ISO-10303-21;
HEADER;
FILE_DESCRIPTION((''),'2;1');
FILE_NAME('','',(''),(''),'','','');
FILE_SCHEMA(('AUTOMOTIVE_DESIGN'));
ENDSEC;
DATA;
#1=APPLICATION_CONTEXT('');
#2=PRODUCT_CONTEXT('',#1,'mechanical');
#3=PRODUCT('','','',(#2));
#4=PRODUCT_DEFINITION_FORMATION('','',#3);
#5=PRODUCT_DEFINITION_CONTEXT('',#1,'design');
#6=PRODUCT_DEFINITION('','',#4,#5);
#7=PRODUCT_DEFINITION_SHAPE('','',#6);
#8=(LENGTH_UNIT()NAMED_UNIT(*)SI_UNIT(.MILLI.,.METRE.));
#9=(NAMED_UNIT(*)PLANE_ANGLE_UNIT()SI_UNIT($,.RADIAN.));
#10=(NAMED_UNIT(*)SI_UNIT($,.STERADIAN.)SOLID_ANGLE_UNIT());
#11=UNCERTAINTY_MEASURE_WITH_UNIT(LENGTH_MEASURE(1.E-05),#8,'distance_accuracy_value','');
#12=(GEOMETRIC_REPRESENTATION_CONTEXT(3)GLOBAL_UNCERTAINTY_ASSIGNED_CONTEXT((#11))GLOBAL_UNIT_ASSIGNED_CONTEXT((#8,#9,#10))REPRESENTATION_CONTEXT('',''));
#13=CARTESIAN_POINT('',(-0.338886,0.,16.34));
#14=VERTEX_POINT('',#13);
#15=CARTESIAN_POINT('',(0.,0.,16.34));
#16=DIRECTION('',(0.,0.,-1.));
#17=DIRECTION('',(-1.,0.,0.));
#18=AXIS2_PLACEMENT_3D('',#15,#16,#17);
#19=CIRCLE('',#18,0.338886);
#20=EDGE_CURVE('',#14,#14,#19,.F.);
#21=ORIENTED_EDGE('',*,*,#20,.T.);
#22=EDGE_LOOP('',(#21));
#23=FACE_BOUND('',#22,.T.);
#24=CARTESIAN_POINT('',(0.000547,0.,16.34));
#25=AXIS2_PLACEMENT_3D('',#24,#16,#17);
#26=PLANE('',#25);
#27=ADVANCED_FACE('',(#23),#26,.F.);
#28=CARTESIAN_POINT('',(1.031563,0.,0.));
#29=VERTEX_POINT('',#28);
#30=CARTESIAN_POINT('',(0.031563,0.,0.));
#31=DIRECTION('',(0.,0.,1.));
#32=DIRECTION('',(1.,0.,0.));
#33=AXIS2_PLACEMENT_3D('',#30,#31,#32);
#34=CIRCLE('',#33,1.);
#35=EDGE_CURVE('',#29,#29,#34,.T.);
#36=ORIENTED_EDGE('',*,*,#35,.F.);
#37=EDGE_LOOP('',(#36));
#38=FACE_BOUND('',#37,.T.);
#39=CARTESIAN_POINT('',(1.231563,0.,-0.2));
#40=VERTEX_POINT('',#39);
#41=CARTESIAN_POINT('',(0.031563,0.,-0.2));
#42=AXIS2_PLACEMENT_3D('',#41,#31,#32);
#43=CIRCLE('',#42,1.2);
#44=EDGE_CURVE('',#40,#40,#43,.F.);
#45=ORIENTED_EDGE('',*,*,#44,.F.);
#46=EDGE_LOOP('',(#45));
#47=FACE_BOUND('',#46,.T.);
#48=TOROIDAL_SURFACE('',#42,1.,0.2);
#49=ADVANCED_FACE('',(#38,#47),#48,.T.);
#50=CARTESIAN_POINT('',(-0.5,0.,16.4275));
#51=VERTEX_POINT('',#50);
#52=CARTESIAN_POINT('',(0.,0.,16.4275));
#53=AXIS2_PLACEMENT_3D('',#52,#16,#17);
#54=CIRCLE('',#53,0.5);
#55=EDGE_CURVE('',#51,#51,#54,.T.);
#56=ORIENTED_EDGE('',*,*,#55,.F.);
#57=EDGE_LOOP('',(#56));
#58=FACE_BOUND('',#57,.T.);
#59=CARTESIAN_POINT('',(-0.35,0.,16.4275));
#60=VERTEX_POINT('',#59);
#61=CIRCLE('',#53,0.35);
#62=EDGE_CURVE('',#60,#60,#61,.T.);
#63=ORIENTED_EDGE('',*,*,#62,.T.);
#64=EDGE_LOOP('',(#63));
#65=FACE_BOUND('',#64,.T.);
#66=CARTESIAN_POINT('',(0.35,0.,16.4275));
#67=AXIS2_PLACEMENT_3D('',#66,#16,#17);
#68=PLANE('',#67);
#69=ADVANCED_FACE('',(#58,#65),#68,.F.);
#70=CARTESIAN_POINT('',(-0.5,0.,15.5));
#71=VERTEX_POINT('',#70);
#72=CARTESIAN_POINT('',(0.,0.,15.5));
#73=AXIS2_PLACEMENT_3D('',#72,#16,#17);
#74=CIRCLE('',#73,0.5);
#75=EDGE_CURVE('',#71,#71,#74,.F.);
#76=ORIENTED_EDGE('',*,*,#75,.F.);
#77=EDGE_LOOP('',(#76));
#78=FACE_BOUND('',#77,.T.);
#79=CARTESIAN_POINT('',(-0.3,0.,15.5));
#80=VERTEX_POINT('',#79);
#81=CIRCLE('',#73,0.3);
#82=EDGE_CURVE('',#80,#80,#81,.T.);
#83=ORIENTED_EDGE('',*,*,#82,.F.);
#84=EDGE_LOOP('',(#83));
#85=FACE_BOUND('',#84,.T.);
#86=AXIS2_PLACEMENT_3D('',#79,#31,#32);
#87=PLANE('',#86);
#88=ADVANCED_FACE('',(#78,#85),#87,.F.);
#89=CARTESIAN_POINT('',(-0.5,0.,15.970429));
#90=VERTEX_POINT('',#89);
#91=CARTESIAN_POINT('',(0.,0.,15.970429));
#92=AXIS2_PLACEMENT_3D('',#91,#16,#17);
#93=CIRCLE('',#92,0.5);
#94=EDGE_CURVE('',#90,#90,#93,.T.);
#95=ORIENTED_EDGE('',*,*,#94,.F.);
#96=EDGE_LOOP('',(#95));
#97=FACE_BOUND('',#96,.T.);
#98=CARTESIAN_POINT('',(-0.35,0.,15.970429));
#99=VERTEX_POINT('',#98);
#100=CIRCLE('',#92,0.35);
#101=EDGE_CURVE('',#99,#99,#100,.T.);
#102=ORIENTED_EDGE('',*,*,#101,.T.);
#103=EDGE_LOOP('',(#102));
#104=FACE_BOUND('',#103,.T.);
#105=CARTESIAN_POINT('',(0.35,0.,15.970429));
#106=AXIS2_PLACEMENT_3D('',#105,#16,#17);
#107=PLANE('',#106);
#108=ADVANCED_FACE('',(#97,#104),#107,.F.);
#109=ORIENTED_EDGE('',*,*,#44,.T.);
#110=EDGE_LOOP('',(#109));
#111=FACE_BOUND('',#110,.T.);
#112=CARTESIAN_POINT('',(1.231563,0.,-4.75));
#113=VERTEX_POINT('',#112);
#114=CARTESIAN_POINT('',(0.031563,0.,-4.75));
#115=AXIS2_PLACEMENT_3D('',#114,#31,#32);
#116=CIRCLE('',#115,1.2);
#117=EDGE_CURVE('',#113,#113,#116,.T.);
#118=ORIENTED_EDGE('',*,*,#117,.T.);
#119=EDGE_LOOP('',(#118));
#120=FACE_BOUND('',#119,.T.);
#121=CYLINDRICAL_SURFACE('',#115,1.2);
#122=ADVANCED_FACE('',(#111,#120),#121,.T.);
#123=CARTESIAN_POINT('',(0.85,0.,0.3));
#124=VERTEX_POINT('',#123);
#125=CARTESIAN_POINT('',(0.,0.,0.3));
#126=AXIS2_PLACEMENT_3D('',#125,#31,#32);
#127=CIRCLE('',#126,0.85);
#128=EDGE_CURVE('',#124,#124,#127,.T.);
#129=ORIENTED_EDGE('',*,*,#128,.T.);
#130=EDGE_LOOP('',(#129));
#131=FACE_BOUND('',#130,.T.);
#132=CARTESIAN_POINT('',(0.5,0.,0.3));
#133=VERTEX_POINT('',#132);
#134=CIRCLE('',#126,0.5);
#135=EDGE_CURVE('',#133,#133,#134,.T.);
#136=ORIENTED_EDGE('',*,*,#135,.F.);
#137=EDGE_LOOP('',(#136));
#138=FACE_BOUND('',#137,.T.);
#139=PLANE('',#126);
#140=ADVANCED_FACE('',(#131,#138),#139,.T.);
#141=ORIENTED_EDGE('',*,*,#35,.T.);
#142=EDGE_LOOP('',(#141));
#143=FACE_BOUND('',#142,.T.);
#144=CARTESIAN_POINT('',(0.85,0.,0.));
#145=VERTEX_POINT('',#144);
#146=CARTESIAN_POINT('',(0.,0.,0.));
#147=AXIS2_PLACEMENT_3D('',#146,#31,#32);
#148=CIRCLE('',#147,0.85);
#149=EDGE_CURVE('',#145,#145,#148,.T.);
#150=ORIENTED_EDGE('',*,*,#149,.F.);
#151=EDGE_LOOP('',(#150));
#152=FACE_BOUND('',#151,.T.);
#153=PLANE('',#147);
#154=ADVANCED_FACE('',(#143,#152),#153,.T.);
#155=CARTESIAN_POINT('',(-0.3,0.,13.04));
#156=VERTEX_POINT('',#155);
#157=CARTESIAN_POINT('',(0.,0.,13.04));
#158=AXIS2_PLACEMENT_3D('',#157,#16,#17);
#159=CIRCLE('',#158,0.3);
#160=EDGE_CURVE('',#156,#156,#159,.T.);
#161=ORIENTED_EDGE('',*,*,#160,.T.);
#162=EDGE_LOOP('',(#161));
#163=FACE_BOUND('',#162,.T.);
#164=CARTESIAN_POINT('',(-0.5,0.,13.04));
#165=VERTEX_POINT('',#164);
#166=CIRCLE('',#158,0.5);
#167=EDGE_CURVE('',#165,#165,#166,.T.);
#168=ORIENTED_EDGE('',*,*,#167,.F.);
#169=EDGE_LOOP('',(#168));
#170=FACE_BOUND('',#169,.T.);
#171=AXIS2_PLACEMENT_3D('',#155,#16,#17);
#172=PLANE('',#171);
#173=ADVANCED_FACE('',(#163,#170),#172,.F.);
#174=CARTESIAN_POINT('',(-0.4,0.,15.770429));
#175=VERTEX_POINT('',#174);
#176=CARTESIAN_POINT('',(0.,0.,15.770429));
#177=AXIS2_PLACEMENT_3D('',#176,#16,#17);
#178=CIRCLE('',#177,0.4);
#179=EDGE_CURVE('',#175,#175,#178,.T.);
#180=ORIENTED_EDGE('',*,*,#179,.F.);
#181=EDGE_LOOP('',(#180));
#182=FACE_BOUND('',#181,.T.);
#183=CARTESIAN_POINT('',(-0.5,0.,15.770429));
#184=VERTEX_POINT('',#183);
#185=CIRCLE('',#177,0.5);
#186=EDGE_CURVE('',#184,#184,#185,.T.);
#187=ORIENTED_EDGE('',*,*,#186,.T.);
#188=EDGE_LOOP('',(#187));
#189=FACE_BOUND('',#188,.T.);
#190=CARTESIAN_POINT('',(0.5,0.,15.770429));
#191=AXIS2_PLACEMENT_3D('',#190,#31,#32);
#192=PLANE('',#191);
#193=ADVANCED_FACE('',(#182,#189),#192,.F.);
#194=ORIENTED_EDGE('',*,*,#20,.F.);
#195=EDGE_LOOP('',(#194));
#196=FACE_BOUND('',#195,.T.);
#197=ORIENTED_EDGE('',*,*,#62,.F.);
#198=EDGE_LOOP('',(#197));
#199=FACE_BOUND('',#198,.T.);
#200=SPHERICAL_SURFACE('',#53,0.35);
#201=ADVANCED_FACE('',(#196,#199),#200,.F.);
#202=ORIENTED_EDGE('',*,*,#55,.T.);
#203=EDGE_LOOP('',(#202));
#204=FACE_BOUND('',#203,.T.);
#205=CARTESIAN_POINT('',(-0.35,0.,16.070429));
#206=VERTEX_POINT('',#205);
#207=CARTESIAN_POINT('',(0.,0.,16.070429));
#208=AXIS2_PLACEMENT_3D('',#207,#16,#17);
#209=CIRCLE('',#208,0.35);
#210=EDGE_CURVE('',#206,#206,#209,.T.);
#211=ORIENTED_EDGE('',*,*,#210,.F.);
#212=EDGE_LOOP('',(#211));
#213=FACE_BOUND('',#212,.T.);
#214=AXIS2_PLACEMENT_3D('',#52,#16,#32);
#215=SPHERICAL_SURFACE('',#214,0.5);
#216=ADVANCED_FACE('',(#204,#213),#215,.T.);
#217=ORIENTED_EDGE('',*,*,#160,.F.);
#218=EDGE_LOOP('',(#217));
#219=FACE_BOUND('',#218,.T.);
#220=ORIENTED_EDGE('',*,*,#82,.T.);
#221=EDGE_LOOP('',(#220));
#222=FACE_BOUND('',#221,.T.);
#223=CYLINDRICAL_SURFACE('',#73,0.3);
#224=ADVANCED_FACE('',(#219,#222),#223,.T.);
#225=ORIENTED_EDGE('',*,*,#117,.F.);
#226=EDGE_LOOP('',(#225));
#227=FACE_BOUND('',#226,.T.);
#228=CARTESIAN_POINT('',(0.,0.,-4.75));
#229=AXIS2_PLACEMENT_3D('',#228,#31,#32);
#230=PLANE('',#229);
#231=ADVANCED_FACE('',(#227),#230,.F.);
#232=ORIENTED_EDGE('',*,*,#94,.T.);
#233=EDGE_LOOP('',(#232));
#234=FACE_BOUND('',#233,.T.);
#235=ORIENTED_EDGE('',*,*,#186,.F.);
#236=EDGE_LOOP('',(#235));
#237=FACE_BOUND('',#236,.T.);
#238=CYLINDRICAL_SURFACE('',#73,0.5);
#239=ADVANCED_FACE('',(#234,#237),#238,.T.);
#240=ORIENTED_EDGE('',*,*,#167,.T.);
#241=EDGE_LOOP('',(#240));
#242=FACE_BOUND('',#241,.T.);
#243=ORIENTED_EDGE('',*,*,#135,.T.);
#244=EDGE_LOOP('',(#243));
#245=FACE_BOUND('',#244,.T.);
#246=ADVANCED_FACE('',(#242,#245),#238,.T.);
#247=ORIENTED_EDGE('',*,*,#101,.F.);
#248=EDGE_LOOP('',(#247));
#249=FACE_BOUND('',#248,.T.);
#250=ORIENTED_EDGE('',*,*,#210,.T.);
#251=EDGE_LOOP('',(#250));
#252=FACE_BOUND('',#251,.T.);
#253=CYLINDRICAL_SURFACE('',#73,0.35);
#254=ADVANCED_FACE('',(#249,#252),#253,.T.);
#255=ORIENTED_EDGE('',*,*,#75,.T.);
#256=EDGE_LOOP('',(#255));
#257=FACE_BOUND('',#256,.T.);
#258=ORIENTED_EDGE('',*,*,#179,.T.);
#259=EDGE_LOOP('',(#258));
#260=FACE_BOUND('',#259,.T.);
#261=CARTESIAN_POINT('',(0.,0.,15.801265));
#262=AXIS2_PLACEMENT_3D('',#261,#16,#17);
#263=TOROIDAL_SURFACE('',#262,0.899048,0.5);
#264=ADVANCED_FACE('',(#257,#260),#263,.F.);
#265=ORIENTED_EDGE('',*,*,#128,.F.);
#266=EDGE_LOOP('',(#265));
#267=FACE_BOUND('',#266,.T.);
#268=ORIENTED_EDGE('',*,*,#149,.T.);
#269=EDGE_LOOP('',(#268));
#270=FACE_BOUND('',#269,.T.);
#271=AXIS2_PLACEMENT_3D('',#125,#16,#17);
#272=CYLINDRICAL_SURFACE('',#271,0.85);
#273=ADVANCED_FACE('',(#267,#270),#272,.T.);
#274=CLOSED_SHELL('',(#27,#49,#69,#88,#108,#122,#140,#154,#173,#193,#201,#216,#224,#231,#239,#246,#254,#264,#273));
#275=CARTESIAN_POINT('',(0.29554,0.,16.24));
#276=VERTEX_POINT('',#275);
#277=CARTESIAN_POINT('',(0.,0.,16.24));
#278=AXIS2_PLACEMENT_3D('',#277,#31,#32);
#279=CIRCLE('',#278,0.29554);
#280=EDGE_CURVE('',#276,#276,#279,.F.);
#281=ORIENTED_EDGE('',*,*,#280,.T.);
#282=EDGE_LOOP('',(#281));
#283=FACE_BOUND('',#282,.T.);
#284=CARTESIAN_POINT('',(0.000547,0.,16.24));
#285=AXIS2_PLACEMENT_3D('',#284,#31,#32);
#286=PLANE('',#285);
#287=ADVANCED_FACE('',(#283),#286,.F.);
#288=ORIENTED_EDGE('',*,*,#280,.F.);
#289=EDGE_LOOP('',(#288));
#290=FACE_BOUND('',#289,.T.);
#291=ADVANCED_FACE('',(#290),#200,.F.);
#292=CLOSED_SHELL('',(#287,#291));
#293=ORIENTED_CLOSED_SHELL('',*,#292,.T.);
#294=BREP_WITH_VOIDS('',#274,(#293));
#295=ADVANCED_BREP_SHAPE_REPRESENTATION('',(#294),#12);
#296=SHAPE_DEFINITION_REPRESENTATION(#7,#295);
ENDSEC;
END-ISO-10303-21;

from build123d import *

# Parameters (mm, degrees)
SKETCH1_R           = 0.5
BOSS_EXTRUDE1_DEPTH = 15.5
SKETCH1_3_R         = 1.2
BOSS_EXTRUDE2_DEPTH = 4.75
FILLET1_R           = 0.2
SKETCH2_R           = 0.85
BOSS_EXTRUDE3_DEPTH = 0.3
SKETCH4_W           = 0.445498432
SKETCH4_H           = 0.1
SKETCH5_W           = 0.773123016
SKETCH5_H           = 2.46
SKETCH5_2_W         = 0.773123016
SKETCH5_2_H         = 2.46


with BuildPart() as part:
    # Sketch1 → Boss-Extrude1 (new body)
    with BuildSketch(Plane.XY):
        Circle(SKETCH1_R)
    extrude(amount=BOSS_EXTRUDE1_DEPTH)

    # Sketch1<3> → Boss-Extrude2 (add)
    with BuildSketch(Plane.XY):
        with Locations((0.031563249, 0)):
            Circle(SKETCH1_3_R)
    extrude(amount=-BOSS_EXTRUDE2_DEPTH)

    # Fillet1
    fillet1_edges = [part.edges().sort_by_distance(p)[0] for p in [
        (-1.168436751, 0, 0),
    ]]
    fillet(fillet1_edges, radius=FILLET1_R)

    # Sketch2 → Boss-Extrude3 (add)
    with BuildSketch(Plane.XY):
        Circle(SKETCH2_R)
    extrude(amount=BOSS_EXTRUDE3_DEPTH)

    # Sketch3 → Revolve2 (revolve)
    with BuildSketch(Plane(origin=(0, 0, 0), x_dir=(1, 0, 0), z_dir=(0, 1, 0))):
        with BuildLine():
            Line((0, -15.5), (0, -16.0775))
            ThreePointArc((0, -16.0775), (0.247487373, -16.180012627), (0.35, -16.4275))
            Line((0.35, -16.4275), (0.5, -16.4275))
            ThreePointArc((0.5, -16.4275), (0.460977223, -16.233850833), (0.35, -16.070428579))
            Line((0.35, -16.070428579), (0.35, -15.970428579))
            Line((0.35, -15.970428579), (0.5, -15.970428579))
            Line((0.5, -15.970428579), (0.5, -15.770428579))
            Line((0.5, -15.770428579), (0.4, -15.770428579))
            ThreePointArc((0.4, -15.770428579), (0.430084247, -15.627849774), (0.5, -15.5))
            Line((0.5, -15.5), (0, -15.5))
        make_face()
    revolve(axis=Axis((0, 0, 15.5), (0, 0, 1)))

    # Sketch4 → Revolve3 (revolve)
    with BuildSketch(Plane(origin=(0, 0, 0), x_dir=(1, 0, 0), z_dir=(0, 1, 0))):
        with Locations((-0.222202563, -16.29)):
            Rectangle(SKETCH4_W, SKETCH4_H)
    revolve(axis=Axis((0.000546653, 0, 16.34), (0, 0, -1)))

    # Sketch5 → Revolve4 (revolve)
    with BuildSketch(Plane(origin=(0, 0, 0), x_dir=(1, 0, 0), z_dir=(0, 1, 0))):
        with Locations((-0.686561508, -14.27)):
            Rectangle(SKETCH5_W, SKETCH5_H)
    revolve(axis=Axis((0, 0, 15.5), (0, 0, 1)))

    # Sketch5<2> → Cut-Revolve1 (revolve, cut)
    with BuildSketch(Plane(origin=(0, 0, 0), x_dir=(1, 0, 0), z_dir=(0, 1, 0))):
        with Locations((-0.686561508, -14.27)):
            Rectangle(SKETCH5_2_W, SKETCH5_2_H)
    revolve(axis=Axis((0, 0, 15.5), (0, 0, 1)), mode=Mode.SUBTRACT)


solid = part.part
